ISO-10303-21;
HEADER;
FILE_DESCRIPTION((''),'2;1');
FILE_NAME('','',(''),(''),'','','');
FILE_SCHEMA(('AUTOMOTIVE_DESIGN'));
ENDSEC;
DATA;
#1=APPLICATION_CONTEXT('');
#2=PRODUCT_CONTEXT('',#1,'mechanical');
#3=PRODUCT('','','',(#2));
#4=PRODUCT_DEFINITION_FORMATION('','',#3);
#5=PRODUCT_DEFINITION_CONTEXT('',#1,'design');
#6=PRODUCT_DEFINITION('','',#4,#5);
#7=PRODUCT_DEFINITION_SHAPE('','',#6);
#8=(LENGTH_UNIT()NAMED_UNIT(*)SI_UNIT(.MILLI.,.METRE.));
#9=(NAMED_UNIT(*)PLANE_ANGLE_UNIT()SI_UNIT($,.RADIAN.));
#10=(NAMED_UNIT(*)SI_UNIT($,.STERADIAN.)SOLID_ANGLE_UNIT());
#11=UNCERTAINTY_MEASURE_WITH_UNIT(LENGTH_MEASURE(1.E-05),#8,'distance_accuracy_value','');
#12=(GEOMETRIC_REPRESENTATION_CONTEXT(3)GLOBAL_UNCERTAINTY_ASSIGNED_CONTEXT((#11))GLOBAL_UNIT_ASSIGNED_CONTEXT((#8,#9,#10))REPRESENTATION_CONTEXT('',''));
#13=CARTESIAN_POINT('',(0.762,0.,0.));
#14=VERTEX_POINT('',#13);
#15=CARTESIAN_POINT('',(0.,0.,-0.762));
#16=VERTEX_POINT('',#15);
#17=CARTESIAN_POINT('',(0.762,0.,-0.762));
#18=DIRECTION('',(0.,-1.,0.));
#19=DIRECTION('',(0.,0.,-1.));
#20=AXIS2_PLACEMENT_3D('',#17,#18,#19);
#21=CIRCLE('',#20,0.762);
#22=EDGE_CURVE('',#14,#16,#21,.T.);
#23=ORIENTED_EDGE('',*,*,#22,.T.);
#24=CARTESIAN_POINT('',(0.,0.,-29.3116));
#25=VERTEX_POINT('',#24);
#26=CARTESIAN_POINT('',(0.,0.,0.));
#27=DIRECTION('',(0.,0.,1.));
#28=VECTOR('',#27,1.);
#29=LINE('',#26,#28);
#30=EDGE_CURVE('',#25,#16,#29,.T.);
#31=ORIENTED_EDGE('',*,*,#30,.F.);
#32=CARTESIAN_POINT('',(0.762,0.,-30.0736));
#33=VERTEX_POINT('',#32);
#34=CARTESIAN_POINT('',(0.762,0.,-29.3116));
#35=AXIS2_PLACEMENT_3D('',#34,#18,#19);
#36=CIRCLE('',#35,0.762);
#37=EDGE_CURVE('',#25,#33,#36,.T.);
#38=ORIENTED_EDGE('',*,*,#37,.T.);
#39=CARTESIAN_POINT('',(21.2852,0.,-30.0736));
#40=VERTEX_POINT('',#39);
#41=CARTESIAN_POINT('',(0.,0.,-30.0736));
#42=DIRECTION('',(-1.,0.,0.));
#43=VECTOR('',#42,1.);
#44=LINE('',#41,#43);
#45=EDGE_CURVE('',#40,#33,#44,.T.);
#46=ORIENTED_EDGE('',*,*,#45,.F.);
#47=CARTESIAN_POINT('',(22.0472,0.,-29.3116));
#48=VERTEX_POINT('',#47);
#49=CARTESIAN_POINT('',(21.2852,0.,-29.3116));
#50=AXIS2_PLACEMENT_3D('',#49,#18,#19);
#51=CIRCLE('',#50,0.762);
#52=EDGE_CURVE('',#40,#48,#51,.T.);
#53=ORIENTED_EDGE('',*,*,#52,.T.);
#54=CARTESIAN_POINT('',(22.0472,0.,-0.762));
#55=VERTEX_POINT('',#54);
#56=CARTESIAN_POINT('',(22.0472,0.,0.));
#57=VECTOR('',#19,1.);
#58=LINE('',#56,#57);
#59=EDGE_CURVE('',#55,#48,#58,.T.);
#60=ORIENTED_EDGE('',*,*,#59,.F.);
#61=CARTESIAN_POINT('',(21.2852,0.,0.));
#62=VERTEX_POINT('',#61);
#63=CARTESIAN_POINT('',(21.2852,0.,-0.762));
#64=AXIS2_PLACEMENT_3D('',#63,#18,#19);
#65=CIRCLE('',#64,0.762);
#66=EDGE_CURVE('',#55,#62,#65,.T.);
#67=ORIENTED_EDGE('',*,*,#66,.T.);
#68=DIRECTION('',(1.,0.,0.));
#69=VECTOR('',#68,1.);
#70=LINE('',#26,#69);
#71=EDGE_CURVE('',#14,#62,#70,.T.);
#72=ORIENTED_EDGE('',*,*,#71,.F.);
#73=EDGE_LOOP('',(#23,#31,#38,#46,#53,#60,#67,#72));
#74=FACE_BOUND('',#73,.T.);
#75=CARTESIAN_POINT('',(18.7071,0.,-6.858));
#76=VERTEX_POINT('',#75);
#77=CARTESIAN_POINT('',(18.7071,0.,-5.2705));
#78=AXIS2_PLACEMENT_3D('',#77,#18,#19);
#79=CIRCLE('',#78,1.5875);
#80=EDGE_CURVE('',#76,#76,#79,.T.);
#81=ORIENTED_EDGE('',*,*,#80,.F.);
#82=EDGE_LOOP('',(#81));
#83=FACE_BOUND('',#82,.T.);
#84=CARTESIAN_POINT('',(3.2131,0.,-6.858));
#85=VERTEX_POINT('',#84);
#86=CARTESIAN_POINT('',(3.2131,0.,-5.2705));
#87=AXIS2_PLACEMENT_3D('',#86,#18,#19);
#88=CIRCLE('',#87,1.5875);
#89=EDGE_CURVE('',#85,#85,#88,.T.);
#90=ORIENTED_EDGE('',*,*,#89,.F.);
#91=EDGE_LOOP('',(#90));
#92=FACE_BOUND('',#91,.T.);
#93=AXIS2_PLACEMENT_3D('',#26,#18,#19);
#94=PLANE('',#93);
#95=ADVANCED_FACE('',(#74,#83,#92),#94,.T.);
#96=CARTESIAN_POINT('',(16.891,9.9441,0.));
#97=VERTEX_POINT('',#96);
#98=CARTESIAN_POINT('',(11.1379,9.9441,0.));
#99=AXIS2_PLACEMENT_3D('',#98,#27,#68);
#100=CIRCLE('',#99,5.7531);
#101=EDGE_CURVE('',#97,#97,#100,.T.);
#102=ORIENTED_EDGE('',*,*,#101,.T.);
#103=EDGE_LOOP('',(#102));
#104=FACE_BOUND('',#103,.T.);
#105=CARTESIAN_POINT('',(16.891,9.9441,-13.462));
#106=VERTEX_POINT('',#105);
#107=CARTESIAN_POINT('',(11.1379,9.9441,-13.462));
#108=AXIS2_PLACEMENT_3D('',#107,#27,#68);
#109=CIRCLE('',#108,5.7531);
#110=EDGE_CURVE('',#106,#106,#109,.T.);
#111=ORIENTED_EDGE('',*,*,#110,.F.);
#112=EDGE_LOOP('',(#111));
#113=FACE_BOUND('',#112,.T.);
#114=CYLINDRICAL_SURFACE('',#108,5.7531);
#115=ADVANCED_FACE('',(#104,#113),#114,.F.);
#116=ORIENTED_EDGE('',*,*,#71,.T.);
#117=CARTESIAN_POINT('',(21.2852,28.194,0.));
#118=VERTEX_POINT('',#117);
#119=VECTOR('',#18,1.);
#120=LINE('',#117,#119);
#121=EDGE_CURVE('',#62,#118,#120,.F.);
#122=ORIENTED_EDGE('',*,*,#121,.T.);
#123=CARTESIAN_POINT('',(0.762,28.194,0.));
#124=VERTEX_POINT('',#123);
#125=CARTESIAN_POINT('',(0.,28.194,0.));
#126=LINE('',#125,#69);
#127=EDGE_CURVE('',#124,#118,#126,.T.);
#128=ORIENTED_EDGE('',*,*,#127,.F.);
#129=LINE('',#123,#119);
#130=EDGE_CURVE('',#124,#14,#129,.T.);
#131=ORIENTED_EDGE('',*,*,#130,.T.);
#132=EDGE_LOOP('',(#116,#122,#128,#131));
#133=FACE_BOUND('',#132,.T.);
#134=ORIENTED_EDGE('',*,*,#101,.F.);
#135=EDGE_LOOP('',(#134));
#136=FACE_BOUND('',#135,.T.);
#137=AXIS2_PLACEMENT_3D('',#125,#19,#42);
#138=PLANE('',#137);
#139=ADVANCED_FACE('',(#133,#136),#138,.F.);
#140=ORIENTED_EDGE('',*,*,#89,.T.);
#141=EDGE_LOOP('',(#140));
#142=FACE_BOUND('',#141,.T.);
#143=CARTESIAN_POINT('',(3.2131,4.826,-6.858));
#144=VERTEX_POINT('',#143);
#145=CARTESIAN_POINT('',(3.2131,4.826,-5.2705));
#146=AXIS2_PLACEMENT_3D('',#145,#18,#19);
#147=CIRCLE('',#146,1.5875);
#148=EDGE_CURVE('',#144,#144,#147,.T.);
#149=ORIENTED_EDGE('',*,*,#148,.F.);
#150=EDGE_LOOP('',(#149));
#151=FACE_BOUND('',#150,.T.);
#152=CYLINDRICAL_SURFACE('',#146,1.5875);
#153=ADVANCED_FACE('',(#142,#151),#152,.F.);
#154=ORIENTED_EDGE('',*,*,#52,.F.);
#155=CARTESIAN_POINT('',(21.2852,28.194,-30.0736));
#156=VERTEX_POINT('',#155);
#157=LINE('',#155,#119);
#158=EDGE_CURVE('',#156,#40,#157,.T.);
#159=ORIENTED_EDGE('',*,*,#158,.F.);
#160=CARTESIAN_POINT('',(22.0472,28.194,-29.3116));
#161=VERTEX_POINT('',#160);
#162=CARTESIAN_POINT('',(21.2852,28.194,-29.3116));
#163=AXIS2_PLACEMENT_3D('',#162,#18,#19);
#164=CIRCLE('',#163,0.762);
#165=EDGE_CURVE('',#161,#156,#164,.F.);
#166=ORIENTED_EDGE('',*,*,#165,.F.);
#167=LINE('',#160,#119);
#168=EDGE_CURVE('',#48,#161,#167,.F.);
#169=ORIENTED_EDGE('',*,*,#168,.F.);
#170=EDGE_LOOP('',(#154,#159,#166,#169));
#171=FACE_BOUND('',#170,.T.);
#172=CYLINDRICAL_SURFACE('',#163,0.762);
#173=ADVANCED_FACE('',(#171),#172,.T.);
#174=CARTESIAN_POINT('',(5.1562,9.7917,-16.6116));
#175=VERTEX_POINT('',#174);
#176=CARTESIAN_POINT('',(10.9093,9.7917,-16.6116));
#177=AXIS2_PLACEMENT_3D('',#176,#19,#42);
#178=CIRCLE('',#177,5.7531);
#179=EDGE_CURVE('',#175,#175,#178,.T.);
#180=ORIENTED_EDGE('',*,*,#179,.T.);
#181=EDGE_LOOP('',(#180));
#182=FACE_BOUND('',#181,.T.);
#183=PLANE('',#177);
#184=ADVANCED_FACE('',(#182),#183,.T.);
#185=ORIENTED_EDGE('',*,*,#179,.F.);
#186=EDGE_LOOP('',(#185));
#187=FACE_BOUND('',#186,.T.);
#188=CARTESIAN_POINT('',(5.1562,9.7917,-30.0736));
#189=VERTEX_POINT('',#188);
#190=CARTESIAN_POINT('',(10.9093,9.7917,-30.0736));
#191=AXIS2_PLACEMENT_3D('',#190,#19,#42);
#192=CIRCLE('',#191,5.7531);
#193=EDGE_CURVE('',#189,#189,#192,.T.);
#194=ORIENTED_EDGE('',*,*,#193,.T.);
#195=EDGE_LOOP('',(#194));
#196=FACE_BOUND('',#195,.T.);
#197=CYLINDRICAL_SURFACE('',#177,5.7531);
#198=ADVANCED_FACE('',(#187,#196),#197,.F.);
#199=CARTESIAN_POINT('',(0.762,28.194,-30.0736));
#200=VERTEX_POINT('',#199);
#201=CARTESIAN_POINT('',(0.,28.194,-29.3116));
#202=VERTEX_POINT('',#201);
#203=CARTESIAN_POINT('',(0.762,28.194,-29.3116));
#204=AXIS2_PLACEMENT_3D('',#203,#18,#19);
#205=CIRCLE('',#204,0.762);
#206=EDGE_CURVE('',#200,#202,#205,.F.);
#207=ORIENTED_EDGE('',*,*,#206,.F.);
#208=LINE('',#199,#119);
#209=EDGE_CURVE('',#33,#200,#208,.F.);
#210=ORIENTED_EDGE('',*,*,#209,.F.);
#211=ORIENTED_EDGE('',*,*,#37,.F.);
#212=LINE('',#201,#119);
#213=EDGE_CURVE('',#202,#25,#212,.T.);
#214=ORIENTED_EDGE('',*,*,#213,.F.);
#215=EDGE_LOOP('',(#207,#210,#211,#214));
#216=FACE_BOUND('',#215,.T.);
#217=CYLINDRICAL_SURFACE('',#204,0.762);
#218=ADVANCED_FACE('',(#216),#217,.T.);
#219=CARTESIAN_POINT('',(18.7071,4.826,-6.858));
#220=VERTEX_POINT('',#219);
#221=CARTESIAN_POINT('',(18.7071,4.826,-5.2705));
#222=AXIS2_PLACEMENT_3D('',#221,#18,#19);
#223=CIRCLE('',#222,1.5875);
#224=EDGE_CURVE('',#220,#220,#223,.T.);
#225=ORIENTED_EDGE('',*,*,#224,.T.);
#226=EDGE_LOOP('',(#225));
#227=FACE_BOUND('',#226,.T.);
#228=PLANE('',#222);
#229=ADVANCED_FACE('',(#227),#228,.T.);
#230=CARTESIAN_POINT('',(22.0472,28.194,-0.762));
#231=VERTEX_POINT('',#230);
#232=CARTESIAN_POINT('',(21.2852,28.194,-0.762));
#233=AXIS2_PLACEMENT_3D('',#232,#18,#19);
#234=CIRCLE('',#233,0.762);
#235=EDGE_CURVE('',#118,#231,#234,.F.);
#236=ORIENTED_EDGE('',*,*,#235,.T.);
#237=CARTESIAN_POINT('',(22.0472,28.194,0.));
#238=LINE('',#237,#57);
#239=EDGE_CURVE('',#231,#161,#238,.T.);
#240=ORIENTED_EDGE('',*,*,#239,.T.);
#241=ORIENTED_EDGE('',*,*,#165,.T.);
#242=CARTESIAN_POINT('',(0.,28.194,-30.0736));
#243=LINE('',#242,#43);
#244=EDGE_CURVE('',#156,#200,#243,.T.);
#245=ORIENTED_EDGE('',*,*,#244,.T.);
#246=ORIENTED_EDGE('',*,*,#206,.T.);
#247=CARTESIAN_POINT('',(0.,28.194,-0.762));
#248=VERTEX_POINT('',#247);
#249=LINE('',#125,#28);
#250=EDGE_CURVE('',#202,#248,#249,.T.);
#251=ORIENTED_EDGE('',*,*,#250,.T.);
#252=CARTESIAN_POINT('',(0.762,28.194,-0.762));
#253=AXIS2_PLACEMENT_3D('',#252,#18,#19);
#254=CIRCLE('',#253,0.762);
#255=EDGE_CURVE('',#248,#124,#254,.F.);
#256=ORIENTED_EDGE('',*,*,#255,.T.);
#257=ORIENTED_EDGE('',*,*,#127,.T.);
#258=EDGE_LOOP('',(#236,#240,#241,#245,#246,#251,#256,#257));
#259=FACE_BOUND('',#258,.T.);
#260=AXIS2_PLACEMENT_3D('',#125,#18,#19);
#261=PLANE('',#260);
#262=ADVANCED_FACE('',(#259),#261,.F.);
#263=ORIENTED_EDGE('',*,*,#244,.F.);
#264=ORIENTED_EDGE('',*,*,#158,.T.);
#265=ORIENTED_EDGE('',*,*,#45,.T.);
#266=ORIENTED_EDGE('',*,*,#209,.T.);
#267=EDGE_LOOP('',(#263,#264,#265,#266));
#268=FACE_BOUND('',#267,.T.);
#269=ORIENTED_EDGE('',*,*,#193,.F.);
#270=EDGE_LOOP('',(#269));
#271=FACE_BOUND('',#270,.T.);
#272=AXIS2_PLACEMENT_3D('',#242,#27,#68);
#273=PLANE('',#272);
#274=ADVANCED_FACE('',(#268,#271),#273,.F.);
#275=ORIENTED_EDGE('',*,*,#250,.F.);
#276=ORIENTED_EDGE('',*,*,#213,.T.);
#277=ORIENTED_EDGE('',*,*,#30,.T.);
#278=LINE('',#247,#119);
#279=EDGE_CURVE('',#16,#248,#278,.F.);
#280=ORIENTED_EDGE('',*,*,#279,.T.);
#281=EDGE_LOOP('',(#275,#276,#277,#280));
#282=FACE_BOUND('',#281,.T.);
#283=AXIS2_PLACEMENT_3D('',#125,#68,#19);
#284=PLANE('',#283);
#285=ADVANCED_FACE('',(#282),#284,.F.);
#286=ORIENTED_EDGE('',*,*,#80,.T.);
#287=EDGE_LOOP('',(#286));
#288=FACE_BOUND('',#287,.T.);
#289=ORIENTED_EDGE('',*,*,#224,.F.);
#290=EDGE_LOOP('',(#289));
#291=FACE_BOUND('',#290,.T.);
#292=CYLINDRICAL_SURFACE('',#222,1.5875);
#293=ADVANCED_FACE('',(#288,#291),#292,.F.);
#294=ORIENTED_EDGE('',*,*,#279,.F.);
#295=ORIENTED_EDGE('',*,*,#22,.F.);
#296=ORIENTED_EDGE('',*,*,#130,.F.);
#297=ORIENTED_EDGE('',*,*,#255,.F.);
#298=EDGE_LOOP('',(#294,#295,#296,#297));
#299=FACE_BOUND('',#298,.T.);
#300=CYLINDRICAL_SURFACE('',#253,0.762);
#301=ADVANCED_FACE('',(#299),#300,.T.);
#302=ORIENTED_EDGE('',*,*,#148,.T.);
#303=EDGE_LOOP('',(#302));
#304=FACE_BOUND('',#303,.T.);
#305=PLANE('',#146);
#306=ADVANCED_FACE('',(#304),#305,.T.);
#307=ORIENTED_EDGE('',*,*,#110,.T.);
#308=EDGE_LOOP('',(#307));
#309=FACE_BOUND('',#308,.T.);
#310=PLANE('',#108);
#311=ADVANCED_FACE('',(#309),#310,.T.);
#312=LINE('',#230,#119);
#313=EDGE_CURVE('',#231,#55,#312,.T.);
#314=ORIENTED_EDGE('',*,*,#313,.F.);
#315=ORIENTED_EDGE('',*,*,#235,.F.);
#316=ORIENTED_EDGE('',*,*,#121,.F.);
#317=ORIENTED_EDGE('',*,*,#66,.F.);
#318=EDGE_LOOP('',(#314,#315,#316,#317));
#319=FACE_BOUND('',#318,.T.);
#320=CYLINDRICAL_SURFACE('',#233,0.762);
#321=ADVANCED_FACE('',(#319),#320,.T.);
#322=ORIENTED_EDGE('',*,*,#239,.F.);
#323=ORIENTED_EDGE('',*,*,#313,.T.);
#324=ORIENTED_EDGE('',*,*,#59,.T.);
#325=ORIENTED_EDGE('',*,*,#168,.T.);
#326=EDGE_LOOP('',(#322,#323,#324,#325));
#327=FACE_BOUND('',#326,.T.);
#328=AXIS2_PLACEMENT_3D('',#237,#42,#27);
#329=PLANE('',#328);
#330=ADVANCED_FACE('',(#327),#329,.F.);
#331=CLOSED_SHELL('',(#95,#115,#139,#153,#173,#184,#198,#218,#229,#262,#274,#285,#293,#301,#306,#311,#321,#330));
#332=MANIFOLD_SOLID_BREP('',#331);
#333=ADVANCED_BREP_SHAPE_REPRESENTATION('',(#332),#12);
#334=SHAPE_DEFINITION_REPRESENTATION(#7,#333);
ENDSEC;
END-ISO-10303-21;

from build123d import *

# Parameters (mm, degrees)
SKETCH1_W           = 22.0472
SKETCH1_H           = 30.0736
BOSS_EXTRUDE1_DEPTH = 28.194
SKETCH2_R           = 1.5875
CUT_EXTRUDE1_DEPTH  = 4.826
SKETCH3_R           = 5.7531
CUT_EXTRUDE2_DEPTH  = 13.462
SKETCH4_R           = 5.7531
CUT_EXTRUDE3_DEPTH  = 13.462
FILLET1_R           = 0.762


with BuildPart() as part:
    # Sketch1 → Boss-Extrude1 (new body)
    with BuildSketch(Plane(origin=(0, 0, 0), x_dir=(1, 0, 0), z_dir=(0, 1, 0))):
        with Locations((11.0236, 15.0368)):
            Rectangle(SKETCH1_W, SKETCH1_H)
    extrude(amount=BOSS_EXTRUDE1_DEPTH)

    # Sketch2 → Cut-Extrude1 (cut)
    with BuildSketch(Plane.XZ):
        with Locations((3.2131, -5.2705)):
            Circle(SKETCH2_R)
        with Locations((18.7071, -5.2705)):
            Circle(SKETCH2_R)
    extrude(amount=-CUT_EXTRUDE1_DEPTH, mode=Mode.SUBTRACT)

    # Sketch3 → Cut-Extrude2 (cut)
    with BuildSketch(Plane.XY):
        with Locations((11.1379, 9.9441)):
            Circle(SKETCH3_R)
    extrude(amount=-CUT_EXTRUDE2_DEPTH, mode=Mode.SUBTRACT)

    # Sketch4 → Cut-Extrude3 (cut)
    with BuildSketch(Plane(origin=(0, 0, -30.0736), x_dir=(-1, 0, 0), z_dir=(0, 0, -1))):
        with Locations((-10.9093, 9.7917)):
            Circle(SKETCH4_R)
    extrude(amount=-CUT_EXTRUDE3_DEPTH, mode=Mode.SUBTRACT)

    # Fillet1
    fillet1_edges = [part.edges().sort_by_distance(p)[0] for p in [
        (0, 14.097, -30.0736),
        (22.0472, 14.097, -30.0736),
        (22.0472, 14.097, 0),
        (0, 14.097, 0),
    ]]
    fillet(fillet1_edges, radius=FILLET1_R)


solid = part.part
